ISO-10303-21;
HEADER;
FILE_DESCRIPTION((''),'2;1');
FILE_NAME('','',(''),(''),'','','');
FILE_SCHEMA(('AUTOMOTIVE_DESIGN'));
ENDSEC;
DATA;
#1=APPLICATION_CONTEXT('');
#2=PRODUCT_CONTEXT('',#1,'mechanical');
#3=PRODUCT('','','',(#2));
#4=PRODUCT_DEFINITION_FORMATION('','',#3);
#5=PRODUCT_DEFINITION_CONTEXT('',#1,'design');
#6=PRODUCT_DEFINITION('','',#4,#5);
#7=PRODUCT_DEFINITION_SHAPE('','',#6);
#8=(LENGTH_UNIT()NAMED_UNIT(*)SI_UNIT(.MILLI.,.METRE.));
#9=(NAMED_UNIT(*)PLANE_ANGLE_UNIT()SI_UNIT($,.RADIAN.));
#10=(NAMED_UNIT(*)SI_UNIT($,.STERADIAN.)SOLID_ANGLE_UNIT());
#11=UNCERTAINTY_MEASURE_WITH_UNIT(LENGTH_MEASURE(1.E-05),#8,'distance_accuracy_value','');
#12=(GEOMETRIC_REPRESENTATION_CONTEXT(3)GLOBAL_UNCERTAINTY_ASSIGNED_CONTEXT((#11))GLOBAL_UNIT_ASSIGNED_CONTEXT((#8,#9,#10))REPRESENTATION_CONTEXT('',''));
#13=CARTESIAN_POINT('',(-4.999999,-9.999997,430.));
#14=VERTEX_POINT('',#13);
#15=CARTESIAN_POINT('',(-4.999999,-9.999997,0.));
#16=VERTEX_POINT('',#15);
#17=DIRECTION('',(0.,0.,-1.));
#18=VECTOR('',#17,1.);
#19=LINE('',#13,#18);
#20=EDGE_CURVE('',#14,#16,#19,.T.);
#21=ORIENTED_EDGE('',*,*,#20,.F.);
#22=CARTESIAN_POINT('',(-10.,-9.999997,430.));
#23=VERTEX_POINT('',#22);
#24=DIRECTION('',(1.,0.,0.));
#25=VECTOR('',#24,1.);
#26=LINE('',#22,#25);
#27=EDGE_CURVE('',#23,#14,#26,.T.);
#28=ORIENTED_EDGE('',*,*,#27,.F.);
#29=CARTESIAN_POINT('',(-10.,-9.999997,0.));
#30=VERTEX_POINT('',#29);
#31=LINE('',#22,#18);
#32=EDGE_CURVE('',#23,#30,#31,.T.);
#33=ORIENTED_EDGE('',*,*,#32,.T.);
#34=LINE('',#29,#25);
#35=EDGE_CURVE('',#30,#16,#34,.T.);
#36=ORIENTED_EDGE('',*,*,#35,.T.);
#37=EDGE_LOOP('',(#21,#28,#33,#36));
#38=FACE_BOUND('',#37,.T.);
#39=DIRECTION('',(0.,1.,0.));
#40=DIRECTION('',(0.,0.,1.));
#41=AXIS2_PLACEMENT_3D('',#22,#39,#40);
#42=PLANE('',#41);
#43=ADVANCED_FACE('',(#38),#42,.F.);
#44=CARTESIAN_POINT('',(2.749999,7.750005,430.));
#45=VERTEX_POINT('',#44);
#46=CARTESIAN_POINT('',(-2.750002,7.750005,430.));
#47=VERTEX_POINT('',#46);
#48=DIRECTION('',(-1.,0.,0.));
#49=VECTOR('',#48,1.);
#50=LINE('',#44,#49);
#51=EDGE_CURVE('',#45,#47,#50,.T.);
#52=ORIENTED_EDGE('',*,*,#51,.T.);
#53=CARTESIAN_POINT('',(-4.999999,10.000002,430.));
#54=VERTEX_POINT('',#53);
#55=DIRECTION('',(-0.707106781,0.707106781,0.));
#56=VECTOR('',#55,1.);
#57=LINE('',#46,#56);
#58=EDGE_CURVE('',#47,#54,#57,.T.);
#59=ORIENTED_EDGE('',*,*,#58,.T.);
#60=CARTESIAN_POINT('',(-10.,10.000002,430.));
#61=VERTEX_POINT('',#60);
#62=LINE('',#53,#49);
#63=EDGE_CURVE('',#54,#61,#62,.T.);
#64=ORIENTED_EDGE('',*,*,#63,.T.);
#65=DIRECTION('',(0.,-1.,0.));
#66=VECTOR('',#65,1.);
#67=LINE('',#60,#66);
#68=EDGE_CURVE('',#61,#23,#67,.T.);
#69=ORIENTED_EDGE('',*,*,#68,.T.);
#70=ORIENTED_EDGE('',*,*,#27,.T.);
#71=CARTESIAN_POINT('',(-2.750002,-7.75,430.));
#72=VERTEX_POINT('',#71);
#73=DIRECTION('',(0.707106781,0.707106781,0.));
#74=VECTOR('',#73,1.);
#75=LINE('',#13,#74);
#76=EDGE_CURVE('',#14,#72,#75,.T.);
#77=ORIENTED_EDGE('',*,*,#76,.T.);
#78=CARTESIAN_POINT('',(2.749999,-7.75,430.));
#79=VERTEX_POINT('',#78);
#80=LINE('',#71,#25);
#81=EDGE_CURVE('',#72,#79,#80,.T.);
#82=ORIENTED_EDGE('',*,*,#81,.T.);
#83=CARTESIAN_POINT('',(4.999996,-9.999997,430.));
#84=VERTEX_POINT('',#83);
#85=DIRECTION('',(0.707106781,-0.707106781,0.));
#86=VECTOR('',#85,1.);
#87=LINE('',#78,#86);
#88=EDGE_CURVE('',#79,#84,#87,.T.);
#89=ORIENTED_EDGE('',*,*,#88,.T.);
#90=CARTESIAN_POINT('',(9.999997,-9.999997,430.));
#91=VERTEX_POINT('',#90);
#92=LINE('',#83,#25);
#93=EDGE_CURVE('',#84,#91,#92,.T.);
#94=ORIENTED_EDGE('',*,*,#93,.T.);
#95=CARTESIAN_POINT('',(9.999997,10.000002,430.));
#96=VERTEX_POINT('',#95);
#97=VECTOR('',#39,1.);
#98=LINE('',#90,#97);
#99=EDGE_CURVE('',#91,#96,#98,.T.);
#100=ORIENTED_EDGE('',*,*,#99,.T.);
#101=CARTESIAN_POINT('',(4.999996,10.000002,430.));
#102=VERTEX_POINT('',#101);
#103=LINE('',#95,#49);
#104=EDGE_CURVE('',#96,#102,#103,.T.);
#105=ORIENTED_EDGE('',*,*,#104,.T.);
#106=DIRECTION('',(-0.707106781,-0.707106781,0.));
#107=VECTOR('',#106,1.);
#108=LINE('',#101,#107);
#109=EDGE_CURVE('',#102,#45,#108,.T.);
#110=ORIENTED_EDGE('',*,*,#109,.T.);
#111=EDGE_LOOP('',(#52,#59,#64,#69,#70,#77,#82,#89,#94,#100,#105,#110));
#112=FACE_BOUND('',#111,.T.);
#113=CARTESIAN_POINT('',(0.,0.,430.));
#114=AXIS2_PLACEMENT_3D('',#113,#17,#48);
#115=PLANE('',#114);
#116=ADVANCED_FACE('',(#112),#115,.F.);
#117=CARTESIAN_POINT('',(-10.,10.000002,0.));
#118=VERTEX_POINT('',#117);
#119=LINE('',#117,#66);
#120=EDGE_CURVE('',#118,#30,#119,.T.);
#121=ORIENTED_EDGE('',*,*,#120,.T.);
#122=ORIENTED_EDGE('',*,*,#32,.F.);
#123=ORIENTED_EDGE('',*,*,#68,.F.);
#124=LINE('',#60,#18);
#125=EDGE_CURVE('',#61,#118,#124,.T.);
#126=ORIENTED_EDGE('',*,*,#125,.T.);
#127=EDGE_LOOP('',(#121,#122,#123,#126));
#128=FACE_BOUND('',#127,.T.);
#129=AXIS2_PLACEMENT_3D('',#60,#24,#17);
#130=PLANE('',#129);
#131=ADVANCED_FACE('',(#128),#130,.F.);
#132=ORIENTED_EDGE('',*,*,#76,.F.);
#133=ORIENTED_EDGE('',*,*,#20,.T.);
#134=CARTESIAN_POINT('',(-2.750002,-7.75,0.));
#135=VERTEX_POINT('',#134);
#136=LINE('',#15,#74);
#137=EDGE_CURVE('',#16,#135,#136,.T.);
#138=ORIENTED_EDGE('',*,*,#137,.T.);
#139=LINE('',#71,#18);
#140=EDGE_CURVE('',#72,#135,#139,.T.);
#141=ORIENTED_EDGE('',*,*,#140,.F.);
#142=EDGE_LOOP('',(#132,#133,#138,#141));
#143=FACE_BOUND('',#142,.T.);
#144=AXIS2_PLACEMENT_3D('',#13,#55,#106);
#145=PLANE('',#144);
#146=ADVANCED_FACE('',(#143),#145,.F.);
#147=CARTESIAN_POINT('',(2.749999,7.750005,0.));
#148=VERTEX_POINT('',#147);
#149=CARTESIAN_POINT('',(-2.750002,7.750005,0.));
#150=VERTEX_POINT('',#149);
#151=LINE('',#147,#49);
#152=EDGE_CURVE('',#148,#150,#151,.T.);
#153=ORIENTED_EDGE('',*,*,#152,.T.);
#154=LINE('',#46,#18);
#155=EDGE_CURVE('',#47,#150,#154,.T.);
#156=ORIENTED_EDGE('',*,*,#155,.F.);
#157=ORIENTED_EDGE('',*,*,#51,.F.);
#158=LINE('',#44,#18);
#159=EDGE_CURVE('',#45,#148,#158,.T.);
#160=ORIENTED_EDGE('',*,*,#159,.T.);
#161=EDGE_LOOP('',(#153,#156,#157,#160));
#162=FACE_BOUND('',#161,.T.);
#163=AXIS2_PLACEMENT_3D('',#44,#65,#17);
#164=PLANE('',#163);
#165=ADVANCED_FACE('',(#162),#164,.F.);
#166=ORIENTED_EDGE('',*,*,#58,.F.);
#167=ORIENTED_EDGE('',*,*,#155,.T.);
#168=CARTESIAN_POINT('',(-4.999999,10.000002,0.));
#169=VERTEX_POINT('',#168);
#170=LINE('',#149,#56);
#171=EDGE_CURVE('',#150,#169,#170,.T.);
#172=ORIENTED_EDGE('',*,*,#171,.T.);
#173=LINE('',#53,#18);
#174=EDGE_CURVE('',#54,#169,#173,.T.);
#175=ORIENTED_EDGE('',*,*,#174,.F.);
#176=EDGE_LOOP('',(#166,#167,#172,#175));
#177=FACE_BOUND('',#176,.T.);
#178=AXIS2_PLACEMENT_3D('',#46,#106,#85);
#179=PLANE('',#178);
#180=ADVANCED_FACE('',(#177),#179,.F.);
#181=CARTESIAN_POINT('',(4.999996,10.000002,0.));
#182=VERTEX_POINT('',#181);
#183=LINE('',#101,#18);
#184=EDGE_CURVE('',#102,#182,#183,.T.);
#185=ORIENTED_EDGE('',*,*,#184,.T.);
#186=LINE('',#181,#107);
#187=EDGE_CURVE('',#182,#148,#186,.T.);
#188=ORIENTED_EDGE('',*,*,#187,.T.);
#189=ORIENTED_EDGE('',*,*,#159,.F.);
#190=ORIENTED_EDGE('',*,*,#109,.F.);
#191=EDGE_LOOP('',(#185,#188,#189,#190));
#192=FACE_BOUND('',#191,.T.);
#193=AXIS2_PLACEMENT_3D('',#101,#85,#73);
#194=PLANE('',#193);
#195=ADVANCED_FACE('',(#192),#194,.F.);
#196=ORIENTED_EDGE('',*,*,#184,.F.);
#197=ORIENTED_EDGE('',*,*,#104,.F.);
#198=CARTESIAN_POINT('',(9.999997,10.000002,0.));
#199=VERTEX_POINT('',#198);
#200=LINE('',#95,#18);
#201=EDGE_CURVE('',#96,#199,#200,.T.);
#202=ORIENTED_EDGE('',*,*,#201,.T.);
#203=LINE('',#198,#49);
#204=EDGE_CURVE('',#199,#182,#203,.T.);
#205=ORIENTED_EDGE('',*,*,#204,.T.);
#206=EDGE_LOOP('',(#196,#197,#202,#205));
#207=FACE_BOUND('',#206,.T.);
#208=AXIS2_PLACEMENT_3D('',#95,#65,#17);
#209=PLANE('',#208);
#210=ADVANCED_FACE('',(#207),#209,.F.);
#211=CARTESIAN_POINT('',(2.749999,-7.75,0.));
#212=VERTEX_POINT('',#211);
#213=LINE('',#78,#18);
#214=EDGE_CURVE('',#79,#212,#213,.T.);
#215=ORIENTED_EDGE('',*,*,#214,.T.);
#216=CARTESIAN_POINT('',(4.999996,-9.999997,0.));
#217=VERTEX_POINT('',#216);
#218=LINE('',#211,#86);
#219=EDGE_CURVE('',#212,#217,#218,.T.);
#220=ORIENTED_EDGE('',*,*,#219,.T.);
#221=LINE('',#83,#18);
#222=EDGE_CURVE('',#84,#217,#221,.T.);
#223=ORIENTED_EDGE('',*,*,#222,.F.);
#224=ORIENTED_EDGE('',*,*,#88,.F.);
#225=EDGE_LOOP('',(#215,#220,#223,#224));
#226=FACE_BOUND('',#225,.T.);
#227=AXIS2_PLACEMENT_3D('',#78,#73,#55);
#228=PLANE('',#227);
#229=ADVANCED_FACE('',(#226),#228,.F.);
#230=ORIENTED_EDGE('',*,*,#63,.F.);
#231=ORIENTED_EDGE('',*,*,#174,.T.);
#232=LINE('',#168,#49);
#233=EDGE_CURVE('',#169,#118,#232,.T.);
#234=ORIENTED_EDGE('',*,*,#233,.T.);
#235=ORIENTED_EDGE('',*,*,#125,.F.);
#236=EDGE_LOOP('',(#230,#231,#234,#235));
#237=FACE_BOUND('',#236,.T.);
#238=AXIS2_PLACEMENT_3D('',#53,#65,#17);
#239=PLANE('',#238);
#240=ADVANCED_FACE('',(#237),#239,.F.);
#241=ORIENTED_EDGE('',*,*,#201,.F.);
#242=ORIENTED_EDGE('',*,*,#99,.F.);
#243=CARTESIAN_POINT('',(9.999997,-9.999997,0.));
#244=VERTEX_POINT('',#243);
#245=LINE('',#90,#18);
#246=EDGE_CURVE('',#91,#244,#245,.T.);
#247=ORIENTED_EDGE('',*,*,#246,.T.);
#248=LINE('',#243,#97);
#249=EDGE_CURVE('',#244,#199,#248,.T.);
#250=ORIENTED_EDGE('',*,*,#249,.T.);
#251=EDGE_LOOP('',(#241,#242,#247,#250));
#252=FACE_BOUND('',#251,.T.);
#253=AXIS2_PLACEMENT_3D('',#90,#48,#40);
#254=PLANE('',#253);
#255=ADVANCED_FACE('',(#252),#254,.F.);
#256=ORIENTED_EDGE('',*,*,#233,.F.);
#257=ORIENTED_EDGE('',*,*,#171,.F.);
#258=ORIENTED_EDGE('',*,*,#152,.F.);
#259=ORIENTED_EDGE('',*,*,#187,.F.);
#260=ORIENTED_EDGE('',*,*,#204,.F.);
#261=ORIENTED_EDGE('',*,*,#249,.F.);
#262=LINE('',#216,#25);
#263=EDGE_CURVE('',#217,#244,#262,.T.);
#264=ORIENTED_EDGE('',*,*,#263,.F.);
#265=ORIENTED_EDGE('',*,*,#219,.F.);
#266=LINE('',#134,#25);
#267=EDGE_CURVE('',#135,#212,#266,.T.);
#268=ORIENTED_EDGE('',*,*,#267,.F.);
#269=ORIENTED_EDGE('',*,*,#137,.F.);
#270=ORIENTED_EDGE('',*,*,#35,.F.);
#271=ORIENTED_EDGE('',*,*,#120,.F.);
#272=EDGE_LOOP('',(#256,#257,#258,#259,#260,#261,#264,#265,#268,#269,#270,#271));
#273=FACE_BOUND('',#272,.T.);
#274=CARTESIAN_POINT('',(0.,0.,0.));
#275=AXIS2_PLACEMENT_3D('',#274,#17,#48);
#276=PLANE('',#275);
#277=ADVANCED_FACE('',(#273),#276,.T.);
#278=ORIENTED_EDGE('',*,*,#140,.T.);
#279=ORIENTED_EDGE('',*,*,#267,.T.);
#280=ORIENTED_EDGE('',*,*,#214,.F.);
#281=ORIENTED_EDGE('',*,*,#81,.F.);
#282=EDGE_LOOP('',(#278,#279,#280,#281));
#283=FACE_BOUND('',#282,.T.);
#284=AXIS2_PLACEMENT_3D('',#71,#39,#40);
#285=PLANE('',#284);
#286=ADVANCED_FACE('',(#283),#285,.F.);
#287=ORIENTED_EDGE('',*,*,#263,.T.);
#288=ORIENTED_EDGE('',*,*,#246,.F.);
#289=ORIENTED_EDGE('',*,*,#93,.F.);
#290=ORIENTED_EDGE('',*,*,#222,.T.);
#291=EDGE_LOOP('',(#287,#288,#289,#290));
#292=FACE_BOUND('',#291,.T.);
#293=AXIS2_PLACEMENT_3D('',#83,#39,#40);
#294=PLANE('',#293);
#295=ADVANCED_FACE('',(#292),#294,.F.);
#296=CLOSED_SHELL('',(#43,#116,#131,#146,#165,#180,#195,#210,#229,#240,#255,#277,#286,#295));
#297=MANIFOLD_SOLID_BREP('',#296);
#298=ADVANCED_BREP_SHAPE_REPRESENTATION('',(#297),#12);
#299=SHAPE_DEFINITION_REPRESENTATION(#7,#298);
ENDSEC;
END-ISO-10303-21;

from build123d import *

# Parameters (mm, degrees)
BOSS_EXTRUDE1_DEPTH = 430


with BuildPart() as part:
    # Sketch1 → Boss-Extrude1 (new body)
    with BuildSketch(Plane.XY):
        Polygon((-2.750001757, -7.749999857), (2.749998624, -7.749999857), (4.999996165, -9.999997399), (9.999997037, -9.999997399), (9.999997037, 10.00000232), (4.999996165, 10.00000232), (2.749998624, 7.750004778), (-2.750001757, 7.750004778), (-4.999999298, 10.00000232), (-10.000000169, 10.00000232), (-10.000000169, -9.999997399), (-4.999999298, -9.999997399), align=None)
    extrude(amount=BOSS_EXTRUDE1_DEPTH)


solid = part.part
